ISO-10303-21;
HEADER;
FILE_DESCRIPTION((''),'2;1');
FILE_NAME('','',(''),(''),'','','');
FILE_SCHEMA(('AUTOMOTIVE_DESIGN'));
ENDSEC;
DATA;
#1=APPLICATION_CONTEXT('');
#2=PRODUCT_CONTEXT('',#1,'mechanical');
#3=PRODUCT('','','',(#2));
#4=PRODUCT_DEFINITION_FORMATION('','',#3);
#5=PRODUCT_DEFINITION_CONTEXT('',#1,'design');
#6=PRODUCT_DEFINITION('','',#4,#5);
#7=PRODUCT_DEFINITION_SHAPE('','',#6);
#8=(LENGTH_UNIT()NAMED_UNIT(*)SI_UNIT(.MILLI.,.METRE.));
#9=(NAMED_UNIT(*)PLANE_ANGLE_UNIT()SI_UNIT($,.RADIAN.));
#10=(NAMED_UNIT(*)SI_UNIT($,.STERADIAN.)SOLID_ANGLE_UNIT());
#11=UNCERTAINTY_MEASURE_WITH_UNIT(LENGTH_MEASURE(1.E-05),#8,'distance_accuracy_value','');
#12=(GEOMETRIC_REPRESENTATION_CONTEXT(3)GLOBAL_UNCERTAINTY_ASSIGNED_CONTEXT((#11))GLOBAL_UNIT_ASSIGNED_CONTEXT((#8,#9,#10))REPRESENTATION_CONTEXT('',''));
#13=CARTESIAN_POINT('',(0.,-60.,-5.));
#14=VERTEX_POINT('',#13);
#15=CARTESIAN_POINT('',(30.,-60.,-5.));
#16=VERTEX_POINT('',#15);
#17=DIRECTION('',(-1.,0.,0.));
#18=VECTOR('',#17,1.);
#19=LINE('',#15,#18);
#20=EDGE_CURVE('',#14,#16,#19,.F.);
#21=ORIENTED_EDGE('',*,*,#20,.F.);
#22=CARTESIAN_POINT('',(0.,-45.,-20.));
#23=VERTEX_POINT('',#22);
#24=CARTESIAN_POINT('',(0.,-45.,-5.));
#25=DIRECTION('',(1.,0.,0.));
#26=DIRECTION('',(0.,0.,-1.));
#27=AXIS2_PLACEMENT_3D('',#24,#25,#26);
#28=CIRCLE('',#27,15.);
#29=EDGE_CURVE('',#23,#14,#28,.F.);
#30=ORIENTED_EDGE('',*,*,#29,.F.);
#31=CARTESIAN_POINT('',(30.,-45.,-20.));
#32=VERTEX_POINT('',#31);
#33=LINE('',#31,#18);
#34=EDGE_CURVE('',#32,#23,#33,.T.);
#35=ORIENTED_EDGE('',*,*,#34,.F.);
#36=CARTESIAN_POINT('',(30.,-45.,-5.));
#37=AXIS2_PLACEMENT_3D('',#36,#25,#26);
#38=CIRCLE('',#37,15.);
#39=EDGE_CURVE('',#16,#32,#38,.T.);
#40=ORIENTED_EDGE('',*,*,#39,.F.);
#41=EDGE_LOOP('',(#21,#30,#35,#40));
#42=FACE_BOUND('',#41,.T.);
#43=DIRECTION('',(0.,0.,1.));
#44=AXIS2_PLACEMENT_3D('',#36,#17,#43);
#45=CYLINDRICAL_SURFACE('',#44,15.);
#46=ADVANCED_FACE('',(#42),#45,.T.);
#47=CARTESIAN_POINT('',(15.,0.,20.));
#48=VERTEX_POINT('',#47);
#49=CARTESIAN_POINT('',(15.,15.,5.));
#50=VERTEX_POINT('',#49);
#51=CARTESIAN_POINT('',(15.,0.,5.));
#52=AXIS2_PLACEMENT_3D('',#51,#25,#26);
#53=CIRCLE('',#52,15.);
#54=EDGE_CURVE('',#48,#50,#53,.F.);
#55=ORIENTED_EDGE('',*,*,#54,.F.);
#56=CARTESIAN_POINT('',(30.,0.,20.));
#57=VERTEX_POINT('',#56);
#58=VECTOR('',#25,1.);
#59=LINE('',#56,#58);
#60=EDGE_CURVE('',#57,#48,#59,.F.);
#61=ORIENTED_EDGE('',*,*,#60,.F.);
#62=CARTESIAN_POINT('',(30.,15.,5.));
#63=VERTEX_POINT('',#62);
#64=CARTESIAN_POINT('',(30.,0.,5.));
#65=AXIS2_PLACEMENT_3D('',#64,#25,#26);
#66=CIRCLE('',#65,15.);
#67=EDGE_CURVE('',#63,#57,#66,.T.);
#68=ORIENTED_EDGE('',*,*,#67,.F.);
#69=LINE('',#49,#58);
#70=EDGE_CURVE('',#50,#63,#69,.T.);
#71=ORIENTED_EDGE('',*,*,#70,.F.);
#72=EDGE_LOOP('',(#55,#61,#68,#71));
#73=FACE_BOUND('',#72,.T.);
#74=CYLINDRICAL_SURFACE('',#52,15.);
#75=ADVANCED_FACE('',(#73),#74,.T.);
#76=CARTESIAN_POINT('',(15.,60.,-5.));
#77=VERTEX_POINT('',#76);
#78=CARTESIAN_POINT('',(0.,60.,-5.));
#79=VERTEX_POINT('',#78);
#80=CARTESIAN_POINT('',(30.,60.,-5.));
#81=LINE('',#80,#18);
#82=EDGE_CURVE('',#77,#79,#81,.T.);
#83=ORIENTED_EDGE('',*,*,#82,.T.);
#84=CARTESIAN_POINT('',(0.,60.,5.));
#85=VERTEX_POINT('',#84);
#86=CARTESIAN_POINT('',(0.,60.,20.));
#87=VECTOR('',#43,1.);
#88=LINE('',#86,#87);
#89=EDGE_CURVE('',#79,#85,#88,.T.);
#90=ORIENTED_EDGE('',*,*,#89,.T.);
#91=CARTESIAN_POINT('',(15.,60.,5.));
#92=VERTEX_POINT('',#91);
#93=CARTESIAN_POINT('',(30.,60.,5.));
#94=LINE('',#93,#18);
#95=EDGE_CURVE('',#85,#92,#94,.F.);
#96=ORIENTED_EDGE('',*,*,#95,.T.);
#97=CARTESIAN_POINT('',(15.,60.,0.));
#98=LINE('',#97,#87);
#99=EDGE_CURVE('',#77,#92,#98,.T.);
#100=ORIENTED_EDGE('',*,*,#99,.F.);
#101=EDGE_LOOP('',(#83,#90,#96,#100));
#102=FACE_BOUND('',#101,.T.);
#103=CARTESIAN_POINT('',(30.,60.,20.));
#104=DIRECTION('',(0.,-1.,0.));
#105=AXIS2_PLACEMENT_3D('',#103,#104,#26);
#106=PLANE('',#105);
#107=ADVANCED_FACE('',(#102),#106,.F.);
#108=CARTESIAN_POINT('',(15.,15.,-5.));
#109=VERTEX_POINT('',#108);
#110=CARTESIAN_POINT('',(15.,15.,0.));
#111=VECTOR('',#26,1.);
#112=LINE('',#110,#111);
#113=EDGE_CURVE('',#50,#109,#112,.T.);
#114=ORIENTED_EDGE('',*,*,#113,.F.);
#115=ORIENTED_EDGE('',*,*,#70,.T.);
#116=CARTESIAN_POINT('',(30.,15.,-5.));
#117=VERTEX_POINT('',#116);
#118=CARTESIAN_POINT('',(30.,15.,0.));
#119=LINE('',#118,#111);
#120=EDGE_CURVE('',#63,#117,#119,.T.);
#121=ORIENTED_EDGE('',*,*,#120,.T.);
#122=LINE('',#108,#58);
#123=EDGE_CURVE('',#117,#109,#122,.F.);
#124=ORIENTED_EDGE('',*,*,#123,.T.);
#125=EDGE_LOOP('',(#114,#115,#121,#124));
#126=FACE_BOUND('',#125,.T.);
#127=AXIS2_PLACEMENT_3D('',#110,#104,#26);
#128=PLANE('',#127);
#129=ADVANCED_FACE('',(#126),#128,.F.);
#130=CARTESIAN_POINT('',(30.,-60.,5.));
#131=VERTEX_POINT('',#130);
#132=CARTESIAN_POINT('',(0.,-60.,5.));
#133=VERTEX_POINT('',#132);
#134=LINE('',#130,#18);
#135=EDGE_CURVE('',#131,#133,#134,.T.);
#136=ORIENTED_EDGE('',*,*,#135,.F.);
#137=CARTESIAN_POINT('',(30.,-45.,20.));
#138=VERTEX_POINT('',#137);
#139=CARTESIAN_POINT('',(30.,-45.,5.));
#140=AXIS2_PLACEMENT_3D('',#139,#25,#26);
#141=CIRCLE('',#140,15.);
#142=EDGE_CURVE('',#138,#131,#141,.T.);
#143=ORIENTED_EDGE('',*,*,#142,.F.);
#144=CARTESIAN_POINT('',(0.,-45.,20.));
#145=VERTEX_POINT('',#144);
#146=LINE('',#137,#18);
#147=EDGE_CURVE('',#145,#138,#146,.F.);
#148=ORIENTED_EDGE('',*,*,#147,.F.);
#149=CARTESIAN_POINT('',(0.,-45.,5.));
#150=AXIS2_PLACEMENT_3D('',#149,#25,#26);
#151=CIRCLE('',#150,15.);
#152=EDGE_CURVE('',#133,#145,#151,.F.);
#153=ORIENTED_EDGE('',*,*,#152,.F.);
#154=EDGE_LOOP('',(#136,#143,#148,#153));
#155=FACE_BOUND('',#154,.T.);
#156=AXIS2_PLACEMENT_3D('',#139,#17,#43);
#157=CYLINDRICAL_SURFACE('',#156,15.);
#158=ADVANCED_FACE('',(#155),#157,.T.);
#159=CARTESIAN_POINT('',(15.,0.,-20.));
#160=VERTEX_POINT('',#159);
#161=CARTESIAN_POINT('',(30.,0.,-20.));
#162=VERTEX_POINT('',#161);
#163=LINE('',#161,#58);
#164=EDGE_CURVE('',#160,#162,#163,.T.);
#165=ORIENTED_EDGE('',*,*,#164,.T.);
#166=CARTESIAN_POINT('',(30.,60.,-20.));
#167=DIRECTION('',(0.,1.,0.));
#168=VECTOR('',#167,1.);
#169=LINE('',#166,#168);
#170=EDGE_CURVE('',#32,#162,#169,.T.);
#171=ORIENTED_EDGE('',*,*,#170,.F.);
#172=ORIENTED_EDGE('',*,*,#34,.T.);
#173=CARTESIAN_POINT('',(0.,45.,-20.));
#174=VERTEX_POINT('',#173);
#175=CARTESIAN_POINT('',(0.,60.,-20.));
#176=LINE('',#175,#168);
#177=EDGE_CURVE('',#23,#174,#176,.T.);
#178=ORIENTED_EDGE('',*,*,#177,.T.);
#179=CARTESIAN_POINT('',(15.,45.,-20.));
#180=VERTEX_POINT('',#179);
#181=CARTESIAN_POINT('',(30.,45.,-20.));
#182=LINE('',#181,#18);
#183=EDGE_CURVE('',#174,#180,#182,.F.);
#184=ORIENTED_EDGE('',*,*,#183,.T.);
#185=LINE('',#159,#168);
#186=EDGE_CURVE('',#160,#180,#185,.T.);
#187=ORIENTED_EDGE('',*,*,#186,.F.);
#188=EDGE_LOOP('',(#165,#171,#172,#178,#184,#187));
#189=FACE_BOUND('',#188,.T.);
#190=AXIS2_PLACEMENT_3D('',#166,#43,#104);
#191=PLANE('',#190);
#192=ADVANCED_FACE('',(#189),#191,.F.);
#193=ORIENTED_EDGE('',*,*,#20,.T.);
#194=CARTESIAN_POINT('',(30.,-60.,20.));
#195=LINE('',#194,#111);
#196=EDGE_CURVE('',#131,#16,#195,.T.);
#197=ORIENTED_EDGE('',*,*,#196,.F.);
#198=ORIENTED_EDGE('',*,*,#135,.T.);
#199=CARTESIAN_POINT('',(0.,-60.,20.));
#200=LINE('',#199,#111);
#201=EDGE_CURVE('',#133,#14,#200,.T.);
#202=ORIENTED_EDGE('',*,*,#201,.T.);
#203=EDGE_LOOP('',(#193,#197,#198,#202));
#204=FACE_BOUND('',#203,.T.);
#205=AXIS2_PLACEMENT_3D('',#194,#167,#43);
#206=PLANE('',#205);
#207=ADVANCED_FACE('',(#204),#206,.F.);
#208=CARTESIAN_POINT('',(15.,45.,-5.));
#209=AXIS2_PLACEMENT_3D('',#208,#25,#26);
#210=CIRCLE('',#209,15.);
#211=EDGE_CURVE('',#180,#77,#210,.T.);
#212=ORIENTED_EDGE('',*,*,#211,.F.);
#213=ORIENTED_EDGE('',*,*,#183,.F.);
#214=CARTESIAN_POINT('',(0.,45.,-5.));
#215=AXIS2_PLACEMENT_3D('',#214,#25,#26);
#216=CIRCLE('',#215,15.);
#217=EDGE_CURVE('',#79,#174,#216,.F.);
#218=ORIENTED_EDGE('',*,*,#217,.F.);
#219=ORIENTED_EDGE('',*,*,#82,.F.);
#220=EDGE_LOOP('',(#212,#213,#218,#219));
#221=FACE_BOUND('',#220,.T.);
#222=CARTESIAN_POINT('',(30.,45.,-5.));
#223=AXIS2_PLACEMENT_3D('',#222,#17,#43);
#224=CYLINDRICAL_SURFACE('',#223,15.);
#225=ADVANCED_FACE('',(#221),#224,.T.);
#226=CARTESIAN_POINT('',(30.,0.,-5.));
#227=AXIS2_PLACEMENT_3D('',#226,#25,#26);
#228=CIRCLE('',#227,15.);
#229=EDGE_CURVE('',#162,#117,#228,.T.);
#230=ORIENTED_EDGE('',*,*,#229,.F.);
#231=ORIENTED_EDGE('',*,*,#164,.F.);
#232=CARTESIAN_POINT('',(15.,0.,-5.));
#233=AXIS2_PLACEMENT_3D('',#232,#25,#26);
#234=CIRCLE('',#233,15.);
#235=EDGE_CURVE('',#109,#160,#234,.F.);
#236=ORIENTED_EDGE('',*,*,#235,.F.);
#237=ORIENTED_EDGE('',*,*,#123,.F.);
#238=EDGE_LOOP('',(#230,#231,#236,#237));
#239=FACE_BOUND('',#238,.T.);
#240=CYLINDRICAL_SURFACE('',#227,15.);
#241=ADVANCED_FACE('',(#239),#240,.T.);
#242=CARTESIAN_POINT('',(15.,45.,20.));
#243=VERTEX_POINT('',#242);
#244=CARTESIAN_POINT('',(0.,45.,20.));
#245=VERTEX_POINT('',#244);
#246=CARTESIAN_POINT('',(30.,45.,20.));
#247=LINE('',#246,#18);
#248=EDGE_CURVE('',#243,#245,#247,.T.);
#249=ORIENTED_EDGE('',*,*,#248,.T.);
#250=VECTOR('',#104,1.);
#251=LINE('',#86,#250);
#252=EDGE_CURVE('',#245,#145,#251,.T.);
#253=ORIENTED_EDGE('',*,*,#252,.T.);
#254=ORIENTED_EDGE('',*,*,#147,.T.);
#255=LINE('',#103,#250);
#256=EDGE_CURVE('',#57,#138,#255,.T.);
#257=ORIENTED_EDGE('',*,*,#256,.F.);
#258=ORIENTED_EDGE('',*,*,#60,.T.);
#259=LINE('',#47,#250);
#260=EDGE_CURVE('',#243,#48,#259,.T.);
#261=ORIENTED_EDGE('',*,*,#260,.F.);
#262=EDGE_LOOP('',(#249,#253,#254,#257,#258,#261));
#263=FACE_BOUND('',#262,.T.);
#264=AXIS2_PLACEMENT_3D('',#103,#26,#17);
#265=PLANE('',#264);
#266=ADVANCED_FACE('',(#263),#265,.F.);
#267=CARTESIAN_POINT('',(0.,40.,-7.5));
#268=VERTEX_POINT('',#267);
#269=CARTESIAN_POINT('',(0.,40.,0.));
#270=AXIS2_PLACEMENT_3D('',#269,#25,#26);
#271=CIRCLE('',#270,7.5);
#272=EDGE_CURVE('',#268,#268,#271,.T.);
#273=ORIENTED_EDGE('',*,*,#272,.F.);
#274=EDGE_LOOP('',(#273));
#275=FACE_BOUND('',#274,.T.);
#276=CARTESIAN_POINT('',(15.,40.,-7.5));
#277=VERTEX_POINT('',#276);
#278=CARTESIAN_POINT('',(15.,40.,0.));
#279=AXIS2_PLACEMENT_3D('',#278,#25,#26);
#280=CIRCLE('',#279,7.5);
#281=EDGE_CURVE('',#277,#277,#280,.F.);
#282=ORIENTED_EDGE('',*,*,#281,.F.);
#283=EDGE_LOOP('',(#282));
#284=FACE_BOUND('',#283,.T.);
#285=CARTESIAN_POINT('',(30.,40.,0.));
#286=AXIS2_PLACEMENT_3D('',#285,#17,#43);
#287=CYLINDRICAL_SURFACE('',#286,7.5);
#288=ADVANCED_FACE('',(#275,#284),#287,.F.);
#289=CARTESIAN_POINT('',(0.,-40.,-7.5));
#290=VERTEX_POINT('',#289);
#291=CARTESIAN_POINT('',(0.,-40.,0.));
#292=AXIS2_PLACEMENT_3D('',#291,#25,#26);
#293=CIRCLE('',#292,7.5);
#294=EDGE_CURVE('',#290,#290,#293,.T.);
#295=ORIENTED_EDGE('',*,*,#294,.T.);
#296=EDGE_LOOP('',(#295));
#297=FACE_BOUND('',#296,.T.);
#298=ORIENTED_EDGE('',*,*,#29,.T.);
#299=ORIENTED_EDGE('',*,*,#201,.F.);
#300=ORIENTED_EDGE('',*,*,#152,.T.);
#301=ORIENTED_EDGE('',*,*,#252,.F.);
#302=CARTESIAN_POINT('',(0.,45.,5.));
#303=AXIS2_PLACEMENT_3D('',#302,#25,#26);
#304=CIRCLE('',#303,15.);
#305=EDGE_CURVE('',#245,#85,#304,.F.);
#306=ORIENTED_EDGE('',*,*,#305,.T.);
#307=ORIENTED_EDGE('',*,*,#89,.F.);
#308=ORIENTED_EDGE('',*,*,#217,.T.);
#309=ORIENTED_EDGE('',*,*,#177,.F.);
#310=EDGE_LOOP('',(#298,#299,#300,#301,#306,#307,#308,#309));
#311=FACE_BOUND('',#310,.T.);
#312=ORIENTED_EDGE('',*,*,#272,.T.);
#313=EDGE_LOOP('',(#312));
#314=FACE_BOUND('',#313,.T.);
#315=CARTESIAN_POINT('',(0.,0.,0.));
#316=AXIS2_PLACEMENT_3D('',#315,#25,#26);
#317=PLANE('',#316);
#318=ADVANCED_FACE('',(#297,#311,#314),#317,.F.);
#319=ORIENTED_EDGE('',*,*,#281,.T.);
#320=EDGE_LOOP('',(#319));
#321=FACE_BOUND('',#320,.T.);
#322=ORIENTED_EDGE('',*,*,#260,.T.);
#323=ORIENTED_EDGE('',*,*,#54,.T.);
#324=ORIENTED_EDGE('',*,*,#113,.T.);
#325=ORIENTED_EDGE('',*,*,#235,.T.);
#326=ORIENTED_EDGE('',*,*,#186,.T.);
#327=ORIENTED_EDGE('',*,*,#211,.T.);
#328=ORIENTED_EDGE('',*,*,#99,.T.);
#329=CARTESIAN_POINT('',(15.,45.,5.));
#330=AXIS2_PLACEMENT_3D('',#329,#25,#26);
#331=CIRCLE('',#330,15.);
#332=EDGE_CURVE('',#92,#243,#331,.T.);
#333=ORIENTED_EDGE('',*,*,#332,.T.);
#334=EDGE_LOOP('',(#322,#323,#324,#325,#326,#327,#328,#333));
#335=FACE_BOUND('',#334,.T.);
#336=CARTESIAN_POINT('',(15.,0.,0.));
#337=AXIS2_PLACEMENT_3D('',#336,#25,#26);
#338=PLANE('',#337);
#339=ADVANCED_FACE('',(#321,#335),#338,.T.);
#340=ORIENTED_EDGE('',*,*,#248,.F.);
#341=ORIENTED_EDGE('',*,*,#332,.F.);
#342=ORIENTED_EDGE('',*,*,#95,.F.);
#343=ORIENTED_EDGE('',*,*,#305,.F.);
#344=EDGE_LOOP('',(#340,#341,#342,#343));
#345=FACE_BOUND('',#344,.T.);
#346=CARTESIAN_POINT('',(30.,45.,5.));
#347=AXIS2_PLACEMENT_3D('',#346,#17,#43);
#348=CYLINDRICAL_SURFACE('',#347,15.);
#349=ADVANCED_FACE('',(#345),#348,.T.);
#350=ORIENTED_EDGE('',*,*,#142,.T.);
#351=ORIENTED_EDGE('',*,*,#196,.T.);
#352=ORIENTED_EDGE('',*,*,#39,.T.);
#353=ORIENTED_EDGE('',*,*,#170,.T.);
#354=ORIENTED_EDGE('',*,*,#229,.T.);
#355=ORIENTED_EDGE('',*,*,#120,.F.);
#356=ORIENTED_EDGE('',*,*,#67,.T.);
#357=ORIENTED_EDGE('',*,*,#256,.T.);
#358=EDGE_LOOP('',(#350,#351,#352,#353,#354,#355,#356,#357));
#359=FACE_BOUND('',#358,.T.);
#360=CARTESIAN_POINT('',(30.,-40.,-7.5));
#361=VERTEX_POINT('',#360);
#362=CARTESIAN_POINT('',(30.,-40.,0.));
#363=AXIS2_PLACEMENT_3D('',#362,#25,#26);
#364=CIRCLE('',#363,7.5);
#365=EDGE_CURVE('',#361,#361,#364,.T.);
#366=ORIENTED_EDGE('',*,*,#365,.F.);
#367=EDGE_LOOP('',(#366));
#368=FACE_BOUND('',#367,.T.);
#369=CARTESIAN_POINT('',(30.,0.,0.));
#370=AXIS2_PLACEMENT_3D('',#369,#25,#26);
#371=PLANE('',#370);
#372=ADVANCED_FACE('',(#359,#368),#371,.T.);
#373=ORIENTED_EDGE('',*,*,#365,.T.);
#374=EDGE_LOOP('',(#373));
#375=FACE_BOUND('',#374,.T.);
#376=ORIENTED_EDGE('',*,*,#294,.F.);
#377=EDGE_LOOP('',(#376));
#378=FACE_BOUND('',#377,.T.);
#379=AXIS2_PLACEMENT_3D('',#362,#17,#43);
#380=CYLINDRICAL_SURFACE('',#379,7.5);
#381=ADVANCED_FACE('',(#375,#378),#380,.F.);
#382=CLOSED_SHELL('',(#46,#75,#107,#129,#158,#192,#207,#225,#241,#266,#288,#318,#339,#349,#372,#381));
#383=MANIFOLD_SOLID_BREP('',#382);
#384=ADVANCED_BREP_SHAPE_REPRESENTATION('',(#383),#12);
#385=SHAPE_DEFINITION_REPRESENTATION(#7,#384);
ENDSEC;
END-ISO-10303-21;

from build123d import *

# Parameters (mm, degrees)
SKETCH1_W           = 40
SKETCH1_H           = 120
SKETCH1_R           = 7.5
BOSS_EXTRUDE1_DEPTH = 30
FILLET1_R           = 15
SKETCH2_R           = 7.5
CUT_EXTRUDE1_DEPTH  = 15
FILLET2_R           = 15


with BuildPart() as part:
    # Sketch1 → Boss-Extrude1 (new body)
    with BuildSketch(Plane(origin=(0, 0, 0), x_dir=(0, 0, -1), z_dir=(1, 0, 0))):
        Rectangle(SKETCH1_W, SKETCH1_H)
        with Locations((0, 40)):
            Circle(SKETCH1_R, mode=Mode.SUBTRACT)
        with Locations((0, -40)):
            Circle(SKETCH1_R, mode=Mode.SUBTRACT)
    extrude(amount=BOSS_EXTRUDE1_DEPTH)

    # Fillet1
    fillet1_edges = [part.edges().sort_by_distance(p)[0] for p in [
        (15, 60, 20),
        (15, 60, -20),
        (15, -60, -20),
        (15, -60, 20),
    ]]
    fillet(fillet1_edges, radius=FILLET1_R)

    # Sketch2 → Cut-Extrude1 (cut)
    with BuildSketch(Plane(origin=(30, 0, 0), x_dir=(0, 0, -1), z_dir=(1, 0, 0))):
        with BuildLine():
            Line((-20, 45), (-20, 15))
            Line((-20, 15), (20, 15))
            Line((20, 15), (20, 45))
            ThreePointArc((20, 45), (15.606601718, 55.606601718), (5, 60))
            Line((5, 60), (-5, 60))
            ThreePointArc((-5, 60), (-15.606601718, 55.606601718), (-20, 45))
        make_face()
        with Locations((0, 40)):
            Circle(SKETCH2_R, mode=Mode.SUBTRACT)
    extrude(amount=-CUT_EXTRUDE1_DEPTH, mode=Mode.SUBTRACT)

    # Fillet2
    fillet2_edges = [part.edges().sort_by_distance(p)[0] for p in [
        (22.5, 15, 20),
        (22.5, 15, -20),
    ]]
    fillet(fillet2_edges, radius=FILLET2_R)


solid = part.part
